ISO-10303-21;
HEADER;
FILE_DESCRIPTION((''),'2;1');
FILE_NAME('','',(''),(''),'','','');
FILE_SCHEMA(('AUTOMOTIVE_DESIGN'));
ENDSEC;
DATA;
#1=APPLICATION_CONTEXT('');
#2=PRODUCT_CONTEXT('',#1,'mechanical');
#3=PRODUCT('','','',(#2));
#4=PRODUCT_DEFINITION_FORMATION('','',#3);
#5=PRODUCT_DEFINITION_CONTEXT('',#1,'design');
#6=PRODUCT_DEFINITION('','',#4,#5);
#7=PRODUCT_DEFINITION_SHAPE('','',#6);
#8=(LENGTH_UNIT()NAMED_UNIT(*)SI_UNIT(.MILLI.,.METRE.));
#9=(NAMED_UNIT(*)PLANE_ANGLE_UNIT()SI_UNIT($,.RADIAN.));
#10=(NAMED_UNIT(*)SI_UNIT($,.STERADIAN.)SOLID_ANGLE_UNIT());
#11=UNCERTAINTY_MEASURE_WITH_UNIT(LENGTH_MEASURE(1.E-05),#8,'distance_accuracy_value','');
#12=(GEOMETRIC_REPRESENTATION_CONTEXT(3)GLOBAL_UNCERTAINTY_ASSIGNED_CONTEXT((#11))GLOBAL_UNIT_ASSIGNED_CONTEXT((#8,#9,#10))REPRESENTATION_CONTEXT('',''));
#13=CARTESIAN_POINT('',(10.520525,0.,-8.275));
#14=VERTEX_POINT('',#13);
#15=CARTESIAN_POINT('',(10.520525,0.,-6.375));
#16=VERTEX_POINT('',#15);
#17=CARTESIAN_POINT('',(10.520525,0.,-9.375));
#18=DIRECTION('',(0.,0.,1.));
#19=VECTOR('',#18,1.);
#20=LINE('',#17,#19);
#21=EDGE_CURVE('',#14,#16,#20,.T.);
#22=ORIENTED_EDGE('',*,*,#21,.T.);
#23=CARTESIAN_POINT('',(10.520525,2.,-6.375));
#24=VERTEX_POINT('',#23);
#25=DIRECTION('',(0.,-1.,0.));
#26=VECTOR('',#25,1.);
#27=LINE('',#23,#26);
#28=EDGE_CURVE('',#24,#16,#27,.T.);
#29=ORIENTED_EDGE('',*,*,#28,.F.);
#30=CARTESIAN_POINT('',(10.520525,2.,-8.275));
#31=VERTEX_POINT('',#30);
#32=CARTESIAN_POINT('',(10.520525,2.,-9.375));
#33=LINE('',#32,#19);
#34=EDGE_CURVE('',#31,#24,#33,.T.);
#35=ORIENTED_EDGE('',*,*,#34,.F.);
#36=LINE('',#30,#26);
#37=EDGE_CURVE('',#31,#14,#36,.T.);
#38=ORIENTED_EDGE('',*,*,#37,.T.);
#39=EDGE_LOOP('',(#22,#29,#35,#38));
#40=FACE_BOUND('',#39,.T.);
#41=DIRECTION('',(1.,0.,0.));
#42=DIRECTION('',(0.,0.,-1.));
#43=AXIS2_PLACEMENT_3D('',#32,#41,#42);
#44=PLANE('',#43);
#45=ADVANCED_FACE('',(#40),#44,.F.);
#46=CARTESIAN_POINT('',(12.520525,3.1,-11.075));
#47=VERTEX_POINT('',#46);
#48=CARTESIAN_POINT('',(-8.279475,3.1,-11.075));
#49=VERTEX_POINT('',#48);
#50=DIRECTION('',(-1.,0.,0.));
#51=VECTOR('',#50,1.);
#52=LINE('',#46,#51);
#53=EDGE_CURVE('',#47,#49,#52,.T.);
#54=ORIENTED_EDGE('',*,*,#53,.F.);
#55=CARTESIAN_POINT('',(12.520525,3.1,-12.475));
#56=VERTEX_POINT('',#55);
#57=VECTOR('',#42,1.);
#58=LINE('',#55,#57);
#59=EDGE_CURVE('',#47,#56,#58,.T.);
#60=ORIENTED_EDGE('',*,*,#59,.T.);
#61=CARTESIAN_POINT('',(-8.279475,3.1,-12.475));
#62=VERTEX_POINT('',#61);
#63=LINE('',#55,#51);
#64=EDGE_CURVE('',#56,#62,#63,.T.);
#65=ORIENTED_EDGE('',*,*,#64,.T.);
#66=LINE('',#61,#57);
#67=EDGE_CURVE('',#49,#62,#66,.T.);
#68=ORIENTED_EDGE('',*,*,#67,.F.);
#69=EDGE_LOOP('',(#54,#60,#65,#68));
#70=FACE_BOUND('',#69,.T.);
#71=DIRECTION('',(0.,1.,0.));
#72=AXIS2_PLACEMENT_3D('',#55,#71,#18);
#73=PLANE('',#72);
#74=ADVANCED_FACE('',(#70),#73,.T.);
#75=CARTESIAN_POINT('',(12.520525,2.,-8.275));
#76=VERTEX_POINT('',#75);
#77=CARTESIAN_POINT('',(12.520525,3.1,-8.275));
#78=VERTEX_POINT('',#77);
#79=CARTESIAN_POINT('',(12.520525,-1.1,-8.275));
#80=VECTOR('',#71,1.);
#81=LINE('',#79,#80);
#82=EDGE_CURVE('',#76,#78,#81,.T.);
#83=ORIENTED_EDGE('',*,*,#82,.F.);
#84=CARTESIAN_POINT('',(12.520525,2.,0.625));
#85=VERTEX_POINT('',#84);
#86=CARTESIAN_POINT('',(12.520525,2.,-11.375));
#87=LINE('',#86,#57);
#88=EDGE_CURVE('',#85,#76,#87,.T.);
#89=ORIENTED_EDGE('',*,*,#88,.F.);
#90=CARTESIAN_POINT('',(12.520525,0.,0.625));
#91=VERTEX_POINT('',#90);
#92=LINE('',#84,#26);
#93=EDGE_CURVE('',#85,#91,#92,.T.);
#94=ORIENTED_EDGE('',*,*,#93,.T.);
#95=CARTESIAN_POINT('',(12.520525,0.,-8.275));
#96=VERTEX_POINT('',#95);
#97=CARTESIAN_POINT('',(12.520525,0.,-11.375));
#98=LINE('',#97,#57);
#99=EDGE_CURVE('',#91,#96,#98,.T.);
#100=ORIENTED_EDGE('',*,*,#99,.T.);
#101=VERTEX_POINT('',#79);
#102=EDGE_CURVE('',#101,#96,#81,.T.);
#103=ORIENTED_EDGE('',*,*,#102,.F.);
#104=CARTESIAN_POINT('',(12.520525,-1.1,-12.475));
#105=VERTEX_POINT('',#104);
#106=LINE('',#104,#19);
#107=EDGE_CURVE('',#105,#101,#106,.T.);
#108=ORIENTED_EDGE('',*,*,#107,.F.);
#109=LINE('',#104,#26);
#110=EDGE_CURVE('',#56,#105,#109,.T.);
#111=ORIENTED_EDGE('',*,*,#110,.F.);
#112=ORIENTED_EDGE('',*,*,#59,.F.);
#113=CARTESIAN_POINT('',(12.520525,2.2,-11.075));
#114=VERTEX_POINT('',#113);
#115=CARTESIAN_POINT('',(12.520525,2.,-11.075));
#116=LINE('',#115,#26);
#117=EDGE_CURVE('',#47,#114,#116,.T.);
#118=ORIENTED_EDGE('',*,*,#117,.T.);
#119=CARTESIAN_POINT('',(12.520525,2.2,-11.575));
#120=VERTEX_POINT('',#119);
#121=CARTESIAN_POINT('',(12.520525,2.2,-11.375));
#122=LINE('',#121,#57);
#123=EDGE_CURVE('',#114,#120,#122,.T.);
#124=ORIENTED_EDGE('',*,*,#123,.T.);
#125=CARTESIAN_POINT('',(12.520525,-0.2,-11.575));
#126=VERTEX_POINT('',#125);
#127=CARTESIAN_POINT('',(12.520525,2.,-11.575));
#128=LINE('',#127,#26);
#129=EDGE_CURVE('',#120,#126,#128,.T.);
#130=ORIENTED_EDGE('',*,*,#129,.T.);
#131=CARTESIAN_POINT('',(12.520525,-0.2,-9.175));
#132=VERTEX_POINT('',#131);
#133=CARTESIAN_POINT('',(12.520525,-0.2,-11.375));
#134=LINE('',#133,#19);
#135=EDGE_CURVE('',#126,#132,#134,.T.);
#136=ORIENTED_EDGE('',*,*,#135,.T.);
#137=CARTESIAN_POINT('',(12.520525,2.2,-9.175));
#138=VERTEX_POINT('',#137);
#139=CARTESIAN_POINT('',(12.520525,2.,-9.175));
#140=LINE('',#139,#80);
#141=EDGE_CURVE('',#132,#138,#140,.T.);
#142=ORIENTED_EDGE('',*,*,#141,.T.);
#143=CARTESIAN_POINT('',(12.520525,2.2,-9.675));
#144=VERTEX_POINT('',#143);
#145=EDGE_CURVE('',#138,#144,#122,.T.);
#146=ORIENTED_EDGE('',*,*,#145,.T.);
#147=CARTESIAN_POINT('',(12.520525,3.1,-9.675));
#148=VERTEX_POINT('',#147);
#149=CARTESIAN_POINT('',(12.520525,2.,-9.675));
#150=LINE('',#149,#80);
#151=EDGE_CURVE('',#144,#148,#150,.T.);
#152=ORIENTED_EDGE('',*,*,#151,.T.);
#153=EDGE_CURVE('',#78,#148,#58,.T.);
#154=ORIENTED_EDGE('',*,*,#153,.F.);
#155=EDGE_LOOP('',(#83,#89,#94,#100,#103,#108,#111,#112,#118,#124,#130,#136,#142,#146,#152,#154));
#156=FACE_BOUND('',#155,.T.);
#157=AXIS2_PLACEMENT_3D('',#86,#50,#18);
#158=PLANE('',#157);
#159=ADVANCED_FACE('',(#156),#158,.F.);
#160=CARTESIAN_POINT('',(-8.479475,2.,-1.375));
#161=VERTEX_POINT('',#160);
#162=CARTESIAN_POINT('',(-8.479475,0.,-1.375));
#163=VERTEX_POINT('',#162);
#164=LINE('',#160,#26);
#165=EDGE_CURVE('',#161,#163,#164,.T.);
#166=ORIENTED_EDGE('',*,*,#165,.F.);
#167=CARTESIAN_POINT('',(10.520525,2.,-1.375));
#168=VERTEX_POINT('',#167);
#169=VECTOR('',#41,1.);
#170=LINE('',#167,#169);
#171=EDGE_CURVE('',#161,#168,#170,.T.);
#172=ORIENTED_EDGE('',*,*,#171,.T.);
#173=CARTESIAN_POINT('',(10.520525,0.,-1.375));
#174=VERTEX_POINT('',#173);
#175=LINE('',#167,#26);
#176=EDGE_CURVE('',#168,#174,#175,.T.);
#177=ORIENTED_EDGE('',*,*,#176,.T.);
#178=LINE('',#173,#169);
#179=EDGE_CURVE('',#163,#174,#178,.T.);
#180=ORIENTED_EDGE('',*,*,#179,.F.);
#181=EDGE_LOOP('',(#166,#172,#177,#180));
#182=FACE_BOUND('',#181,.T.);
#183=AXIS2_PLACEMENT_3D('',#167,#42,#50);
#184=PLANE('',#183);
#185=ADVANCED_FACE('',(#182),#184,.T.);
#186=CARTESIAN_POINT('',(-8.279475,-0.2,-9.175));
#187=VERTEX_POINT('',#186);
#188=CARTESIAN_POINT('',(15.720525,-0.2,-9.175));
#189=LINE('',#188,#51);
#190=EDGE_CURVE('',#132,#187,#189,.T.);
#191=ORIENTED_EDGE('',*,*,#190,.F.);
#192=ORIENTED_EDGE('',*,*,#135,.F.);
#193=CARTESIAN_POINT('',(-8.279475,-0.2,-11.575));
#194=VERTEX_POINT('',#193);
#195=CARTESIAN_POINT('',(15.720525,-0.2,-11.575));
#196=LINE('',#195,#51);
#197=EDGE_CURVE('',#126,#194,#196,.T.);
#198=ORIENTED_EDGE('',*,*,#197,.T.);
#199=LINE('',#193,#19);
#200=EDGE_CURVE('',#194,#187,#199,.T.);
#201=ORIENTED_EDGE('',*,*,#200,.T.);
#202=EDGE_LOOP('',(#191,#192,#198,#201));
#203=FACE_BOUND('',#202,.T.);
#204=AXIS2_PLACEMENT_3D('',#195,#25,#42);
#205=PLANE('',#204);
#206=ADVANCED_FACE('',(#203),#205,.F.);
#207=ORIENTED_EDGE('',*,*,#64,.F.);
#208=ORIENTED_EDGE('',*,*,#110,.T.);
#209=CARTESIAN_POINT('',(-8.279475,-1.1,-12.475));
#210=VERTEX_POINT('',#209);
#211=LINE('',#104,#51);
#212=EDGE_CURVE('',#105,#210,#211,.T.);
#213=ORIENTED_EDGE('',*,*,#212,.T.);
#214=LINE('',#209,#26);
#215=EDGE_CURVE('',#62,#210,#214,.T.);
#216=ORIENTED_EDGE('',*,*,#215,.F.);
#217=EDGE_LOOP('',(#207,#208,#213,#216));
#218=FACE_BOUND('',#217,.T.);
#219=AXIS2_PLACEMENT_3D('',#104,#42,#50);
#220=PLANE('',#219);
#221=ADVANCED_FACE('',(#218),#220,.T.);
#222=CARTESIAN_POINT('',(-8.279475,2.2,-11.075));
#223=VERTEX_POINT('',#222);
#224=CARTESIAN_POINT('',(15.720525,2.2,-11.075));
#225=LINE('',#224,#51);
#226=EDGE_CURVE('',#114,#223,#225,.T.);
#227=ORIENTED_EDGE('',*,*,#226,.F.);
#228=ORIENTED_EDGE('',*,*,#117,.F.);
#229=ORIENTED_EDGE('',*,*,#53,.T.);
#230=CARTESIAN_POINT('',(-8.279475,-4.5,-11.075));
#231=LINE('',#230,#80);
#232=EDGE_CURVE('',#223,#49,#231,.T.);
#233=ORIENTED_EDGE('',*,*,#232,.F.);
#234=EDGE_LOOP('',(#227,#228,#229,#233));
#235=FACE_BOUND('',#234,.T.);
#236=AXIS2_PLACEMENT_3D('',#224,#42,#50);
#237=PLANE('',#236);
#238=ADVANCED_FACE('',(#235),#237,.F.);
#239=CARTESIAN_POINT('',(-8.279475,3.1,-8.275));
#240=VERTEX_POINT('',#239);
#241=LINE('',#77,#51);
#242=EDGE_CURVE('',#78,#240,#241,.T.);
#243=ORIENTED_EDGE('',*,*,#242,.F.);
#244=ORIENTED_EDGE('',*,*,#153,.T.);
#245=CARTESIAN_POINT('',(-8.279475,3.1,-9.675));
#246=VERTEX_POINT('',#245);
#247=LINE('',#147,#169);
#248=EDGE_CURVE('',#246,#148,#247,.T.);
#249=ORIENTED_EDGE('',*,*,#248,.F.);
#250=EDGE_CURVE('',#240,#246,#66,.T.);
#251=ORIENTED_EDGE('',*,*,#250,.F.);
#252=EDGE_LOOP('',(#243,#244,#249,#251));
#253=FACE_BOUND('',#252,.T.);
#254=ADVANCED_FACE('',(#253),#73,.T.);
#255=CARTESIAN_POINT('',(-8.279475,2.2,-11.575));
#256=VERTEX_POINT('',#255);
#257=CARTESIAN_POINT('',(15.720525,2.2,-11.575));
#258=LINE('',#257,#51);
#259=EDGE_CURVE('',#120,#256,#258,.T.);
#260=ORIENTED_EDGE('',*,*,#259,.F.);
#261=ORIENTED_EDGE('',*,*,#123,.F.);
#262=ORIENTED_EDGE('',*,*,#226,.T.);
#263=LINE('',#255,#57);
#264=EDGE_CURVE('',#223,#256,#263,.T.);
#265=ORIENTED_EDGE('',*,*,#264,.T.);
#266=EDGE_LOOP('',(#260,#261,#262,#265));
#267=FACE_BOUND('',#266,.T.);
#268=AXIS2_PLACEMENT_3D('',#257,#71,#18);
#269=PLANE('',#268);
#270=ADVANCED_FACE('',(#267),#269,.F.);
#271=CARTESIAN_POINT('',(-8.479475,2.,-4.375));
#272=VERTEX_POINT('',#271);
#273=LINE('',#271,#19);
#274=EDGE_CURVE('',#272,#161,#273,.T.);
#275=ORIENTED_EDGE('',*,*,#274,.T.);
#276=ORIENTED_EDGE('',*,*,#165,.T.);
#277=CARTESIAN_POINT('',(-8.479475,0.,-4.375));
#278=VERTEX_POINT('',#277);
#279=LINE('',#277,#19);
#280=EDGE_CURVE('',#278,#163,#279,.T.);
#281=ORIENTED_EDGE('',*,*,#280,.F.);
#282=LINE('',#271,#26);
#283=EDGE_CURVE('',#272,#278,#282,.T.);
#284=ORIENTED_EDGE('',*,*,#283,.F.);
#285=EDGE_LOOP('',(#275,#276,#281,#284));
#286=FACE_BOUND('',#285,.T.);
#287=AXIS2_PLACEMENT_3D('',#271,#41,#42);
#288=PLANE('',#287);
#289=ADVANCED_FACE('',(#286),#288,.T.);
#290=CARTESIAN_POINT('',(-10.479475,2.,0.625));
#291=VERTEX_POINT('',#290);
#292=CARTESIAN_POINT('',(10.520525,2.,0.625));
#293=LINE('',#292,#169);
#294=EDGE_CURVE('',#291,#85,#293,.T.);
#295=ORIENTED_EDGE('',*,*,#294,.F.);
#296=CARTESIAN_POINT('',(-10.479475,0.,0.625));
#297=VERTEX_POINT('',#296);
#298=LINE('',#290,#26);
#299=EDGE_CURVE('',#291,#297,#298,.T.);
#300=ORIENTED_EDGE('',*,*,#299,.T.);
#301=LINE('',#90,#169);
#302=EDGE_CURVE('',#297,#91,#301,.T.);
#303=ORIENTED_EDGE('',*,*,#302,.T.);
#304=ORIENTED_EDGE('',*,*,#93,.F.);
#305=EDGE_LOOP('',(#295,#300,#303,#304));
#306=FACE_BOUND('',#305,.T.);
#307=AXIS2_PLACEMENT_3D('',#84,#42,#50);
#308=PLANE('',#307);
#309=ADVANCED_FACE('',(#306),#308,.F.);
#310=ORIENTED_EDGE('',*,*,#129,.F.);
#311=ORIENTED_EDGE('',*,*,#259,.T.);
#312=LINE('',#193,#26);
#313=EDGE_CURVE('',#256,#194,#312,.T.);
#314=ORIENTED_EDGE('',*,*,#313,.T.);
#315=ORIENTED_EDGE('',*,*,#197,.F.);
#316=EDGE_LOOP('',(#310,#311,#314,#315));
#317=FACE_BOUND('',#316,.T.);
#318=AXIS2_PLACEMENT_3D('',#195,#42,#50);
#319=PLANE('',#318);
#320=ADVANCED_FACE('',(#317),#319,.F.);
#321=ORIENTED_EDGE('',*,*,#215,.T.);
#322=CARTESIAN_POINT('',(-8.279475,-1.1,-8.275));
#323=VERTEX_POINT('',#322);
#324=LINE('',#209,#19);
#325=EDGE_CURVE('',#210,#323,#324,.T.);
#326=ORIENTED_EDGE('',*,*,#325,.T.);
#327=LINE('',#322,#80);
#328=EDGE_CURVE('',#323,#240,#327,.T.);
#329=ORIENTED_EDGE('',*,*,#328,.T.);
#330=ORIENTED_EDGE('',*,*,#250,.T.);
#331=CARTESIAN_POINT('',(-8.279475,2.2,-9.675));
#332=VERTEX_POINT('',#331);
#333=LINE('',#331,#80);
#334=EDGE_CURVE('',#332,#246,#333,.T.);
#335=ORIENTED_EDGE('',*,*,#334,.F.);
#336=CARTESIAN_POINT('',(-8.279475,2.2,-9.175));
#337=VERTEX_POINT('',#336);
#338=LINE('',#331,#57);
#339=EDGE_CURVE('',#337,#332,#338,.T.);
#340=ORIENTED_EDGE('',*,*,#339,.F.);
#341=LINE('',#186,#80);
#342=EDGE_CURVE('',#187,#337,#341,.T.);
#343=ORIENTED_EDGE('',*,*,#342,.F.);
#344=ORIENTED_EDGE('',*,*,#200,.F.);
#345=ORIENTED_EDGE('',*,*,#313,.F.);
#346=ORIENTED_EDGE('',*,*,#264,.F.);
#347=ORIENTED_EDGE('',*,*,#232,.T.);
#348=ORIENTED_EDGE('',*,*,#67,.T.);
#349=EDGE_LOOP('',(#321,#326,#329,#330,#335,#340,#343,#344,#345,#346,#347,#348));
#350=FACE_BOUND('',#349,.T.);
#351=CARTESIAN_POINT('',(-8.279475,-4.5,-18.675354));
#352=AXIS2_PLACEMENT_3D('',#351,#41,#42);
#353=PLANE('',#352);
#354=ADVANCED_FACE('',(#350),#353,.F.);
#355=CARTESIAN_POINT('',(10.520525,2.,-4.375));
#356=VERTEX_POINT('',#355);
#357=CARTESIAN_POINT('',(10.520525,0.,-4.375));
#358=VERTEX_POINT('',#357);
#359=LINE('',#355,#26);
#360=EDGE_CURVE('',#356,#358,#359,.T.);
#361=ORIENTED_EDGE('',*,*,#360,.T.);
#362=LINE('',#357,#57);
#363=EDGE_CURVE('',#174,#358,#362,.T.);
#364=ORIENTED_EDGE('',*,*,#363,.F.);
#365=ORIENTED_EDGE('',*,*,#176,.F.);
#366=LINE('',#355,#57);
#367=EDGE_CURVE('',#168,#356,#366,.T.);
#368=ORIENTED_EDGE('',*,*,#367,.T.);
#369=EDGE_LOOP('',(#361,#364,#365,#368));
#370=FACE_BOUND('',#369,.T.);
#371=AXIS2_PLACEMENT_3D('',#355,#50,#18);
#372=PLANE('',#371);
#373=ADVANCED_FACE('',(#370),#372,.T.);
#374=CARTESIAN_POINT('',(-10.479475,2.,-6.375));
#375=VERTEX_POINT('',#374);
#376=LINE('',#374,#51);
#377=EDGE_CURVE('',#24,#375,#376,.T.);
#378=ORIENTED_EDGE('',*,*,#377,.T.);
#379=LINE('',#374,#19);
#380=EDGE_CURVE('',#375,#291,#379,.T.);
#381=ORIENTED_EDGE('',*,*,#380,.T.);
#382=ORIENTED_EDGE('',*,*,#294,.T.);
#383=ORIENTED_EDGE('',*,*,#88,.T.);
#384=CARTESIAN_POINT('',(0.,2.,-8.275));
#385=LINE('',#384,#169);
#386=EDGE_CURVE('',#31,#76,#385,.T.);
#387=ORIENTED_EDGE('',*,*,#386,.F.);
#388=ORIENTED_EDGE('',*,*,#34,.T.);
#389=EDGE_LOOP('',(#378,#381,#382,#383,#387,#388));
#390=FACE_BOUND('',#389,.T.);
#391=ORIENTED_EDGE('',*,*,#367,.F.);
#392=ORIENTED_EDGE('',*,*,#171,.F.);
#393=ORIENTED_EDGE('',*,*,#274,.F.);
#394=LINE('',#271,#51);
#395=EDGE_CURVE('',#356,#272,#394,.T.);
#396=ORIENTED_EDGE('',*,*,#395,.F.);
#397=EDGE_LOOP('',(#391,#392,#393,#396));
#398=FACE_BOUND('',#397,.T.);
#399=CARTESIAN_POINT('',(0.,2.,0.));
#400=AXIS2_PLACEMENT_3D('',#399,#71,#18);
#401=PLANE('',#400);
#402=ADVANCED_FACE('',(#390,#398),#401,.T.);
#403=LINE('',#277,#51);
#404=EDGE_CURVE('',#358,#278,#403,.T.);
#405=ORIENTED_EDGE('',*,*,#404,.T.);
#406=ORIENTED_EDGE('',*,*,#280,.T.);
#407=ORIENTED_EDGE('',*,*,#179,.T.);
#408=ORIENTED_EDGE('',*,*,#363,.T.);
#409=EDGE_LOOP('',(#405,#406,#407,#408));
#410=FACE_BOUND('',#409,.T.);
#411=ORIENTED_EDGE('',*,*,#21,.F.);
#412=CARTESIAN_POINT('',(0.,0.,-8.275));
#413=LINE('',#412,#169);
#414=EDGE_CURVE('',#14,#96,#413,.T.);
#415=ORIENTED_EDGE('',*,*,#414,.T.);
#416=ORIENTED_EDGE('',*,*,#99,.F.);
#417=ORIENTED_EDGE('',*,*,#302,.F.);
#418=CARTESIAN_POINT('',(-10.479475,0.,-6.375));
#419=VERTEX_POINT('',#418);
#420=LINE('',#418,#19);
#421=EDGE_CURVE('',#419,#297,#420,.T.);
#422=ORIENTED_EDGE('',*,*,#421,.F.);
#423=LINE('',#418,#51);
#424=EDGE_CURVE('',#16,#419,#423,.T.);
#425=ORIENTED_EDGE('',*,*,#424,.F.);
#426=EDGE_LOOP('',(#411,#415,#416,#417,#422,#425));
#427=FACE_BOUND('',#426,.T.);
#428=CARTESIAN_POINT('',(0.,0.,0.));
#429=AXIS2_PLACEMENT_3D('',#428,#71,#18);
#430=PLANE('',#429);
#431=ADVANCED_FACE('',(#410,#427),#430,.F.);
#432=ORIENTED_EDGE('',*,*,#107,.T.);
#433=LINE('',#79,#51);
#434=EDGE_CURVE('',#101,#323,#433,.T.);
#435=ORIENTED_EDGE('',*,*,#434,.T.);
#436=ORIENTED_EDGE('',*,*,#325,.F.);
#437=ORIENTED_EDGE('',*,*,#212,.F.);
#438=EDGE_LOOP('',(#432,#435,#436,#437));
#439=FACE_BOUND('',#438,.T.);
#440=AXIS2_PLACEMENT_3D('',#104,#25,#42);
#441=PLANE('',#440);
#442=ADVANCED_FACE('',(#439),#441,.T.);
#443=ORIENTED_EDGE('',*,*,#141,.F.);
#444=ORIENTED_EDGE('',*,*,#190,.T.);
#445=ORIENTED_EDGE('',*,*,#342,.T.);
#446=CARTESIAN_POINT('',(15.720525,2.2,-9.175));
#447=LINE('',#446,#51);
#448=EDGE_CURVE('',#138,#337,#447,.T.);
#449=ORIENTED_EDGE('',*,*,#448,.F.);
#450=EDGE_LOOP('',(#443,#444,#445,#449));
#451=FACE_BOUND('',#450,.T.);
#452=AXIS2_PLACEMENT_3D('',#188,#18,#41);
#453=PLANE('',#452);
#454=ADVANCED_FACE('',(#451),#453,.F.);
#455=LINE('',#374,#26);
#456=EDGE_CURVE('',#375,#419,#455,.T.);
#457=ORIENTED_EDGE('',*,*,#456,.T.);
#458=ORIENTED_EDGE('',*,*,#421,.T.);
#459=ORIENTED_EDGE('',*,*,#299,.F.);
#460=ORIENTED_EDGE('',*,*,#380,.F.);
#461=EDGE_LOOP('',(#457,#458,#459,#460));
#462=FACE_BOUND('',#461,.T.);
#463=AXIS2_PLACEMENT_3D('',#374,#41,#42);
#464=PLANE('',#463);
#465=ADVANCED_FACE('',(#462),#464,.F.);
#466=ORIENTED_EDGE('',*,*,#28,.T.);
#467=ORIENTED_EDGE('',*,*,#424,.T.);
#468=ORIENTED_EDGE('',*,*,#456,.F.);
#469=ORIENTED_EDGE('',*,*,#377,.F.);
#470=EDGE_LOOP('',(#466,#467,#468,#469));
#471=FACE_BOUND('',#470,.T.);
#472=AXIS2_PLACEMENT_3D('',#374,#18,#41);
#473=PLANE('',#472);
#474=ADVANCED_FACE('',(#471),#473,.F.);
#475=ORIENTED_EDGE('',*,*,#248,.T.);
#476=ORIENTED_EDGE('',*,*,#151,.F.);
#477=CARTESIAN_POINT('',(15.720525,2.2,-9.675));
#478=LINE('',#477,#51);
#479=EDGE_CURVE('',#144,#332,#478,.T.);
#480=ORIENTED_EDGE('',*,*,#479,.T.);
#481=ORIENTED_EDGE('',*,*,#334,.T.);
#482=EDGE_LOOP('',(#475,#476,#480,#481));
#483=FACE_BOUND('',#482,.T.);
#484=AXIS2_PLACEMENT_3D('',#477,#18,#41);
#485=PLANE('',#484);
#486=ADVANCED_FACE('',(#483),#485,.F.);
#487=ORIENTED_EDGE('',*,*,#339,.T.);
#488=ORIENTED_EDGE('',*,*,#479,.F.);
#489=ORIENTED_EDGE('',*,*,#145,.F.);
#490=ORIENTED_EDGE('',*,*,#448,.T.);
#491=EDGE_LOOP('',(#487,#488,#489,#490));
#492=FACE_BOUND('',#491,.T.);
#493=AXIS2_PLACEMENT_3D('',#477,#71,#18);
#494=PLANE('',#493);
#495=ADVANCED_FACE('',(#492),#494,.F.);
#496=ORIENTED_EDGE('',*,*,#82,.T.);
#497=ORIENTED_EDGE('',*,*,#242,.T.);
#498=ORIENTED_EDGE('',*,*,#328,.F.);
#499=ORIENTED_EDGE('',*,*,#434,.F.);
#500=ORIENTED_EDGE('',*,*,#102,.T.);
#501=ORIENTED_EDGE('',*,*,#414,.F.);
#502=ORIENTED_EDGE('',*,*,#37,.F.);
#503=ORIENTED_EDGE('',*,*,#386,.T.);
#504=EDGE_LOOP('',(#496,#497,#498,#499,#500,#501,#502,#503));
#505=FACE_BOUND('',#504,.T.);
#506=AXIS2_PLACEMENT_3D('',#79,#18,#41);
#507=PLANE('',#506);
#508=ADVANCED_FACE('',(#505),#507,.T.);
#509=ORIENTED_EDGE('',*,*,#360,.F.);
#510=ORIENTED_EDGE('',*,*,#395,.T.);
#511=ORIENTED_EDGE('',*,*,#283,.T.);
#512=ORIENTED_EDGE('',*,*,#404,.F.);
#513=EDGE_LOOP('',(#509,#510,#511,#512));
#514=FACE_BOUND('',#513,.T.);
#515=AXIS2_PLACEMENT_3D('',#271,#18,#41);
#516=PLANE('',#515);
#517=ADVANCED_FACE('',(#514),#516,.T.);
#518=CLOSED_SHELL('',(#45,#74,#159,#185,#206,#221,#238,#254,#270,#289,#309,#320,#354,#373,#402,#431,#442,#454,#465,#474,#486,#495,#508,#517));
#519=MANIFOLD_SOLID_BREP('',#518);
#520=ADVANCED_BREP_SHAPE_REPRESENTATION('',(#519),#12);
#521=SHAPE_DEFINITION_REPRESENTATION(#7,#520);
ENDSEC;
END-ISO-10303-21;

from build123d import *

# Parameters (mm, degrees)
ESBO_O1_W                = 19
ESBO_O1_H                = 3
RESSALTO_EXTRUS_O1_DEPTH = 2
ESBO_O3_W                = 2.338389472
ESBO_O3_H                = 3.565642473
CORTE_EXTRUS_O2_DEPTH    = 3
ESBO_O4_W                = 4.2
ESBO_O4_H                = 4.2
ESBO_O4_W_2              = 2.2
ESBO_O4_H_2              = 2.2
RESSALTO_EXTRUS_O2_DEPTH = 21
ESBO_O5_W                = 2
ESBO_O5_H                = 2
CORTE_EXTRUS_O3_DEPTH    = 29
ESBO_O6_W                = 10.73629406
ESBO_O6_H                = 11.045994849
CORTE_EXTRUS_O4_DEPTH    = 4.5
CORTE_EXTRUS_O5_DEPTH    = 24


with BuildPart() as part:
    # Esboço1 → Ressalto-extrusão1 (new body)
    with BuildSketch(Plane(origin=(0, 0, 0), x_dir=(1, 0, 0), z_dir=(0, 1, 0))):
        Polygon((-10.479474548, 11.375), (12.520525452, 11.375), (12.520525452, -0.625), (10.520525452, -0.625), (-10.479474548, -0.625), (-10.479474548, 6.375), (10.520525452, 6.375), (10.520525452, 9.375), (-10.479474548, 9.375), align=None)
        with Locations((1.020525452, 2.875)):
            Rectangle(ESBO_O1_W, ESBO_O1_H, mode=Mode.SUBTRACT)
    extrude(amount=RESSALTO_EXTRUS_O1_DEPTH)

    # Esboço3 → Corte-extrusão2 (cut)
    with BuildSketch(Plane(origin=(0, 0, 0), x_dir=(1, 0, 0), z_dir=(0, 1, 0))):
        with Locations((-9.648669284, 10.261118249)):
            Rectangle(ESBO_O3_W, ESBO_O3_H)
    extrude(amount=CORTE_EXTRUS_O2_DEPTH, mode=Mode.SUBTRACT)

    # Esboço4 → Ressalto-extrusão2 (add)
    with BuildSketch(Plane.ZY.offset(8.479474548)):
        with Locations((-10.375, 1)):
            Rectangle(ESBO_O4_W, ESBO_O4_H)
        with Locations((-10.375, 1)):
            Rectangle(ESBO_O4_W_2, ESBO_O4_H_2, mode=Mode.SUBTRACT)
    extrude(amount=-RESSALTO_EXTRUS_O2_DEPTH)

    # Esboço5 → Corte-extrusão3 (cut)
    with BuildSketch(Plane.ZY.offset(8.479474548)):
        with Locations((-10.375, 1)):
            Rectangle(ESBO_O5_W, ESBO_O5_H)
    extrude(amount=-CORTE_EXTRUS_O3_DEPTH, mode=Mode.SUBTRACT)

    # Esboço6 → Corte-extrusão4 (cut, symmetric)
    with BuildSketch(Plane(origin=(0, 0, 0), x_dir=(1, 0, 0), z_dir=(0, 1, 0))):
        with Locations((-13.647621578, 13.152356314)):
            Rectangle(ESBO_O6_W, ESBO_O6_H)
    extrude(amount=CORTE_EXTRUS_O4_DEPTH, both=True, mode=Mode.SUBTRACT)

    # Esboço7 → Corte-extrusão5 (cut)
    with BuildSketch(Plane.ZY.offset(8.279474548)):
        Polygon((-11.075, 2.2), (-11.075, 3.370047827), (-9.675, 3.370047827), (-9.675, 2.2), (-9.175, 2.2), (-9.175, -0.2), (-11.575, -0.2), (-11.575, 2.2), align=None)
    extrude(amount=-CORTE_EXTRUS_O5_DEPTH, mode=Mode.SUBTRACT)


solid = part.part
